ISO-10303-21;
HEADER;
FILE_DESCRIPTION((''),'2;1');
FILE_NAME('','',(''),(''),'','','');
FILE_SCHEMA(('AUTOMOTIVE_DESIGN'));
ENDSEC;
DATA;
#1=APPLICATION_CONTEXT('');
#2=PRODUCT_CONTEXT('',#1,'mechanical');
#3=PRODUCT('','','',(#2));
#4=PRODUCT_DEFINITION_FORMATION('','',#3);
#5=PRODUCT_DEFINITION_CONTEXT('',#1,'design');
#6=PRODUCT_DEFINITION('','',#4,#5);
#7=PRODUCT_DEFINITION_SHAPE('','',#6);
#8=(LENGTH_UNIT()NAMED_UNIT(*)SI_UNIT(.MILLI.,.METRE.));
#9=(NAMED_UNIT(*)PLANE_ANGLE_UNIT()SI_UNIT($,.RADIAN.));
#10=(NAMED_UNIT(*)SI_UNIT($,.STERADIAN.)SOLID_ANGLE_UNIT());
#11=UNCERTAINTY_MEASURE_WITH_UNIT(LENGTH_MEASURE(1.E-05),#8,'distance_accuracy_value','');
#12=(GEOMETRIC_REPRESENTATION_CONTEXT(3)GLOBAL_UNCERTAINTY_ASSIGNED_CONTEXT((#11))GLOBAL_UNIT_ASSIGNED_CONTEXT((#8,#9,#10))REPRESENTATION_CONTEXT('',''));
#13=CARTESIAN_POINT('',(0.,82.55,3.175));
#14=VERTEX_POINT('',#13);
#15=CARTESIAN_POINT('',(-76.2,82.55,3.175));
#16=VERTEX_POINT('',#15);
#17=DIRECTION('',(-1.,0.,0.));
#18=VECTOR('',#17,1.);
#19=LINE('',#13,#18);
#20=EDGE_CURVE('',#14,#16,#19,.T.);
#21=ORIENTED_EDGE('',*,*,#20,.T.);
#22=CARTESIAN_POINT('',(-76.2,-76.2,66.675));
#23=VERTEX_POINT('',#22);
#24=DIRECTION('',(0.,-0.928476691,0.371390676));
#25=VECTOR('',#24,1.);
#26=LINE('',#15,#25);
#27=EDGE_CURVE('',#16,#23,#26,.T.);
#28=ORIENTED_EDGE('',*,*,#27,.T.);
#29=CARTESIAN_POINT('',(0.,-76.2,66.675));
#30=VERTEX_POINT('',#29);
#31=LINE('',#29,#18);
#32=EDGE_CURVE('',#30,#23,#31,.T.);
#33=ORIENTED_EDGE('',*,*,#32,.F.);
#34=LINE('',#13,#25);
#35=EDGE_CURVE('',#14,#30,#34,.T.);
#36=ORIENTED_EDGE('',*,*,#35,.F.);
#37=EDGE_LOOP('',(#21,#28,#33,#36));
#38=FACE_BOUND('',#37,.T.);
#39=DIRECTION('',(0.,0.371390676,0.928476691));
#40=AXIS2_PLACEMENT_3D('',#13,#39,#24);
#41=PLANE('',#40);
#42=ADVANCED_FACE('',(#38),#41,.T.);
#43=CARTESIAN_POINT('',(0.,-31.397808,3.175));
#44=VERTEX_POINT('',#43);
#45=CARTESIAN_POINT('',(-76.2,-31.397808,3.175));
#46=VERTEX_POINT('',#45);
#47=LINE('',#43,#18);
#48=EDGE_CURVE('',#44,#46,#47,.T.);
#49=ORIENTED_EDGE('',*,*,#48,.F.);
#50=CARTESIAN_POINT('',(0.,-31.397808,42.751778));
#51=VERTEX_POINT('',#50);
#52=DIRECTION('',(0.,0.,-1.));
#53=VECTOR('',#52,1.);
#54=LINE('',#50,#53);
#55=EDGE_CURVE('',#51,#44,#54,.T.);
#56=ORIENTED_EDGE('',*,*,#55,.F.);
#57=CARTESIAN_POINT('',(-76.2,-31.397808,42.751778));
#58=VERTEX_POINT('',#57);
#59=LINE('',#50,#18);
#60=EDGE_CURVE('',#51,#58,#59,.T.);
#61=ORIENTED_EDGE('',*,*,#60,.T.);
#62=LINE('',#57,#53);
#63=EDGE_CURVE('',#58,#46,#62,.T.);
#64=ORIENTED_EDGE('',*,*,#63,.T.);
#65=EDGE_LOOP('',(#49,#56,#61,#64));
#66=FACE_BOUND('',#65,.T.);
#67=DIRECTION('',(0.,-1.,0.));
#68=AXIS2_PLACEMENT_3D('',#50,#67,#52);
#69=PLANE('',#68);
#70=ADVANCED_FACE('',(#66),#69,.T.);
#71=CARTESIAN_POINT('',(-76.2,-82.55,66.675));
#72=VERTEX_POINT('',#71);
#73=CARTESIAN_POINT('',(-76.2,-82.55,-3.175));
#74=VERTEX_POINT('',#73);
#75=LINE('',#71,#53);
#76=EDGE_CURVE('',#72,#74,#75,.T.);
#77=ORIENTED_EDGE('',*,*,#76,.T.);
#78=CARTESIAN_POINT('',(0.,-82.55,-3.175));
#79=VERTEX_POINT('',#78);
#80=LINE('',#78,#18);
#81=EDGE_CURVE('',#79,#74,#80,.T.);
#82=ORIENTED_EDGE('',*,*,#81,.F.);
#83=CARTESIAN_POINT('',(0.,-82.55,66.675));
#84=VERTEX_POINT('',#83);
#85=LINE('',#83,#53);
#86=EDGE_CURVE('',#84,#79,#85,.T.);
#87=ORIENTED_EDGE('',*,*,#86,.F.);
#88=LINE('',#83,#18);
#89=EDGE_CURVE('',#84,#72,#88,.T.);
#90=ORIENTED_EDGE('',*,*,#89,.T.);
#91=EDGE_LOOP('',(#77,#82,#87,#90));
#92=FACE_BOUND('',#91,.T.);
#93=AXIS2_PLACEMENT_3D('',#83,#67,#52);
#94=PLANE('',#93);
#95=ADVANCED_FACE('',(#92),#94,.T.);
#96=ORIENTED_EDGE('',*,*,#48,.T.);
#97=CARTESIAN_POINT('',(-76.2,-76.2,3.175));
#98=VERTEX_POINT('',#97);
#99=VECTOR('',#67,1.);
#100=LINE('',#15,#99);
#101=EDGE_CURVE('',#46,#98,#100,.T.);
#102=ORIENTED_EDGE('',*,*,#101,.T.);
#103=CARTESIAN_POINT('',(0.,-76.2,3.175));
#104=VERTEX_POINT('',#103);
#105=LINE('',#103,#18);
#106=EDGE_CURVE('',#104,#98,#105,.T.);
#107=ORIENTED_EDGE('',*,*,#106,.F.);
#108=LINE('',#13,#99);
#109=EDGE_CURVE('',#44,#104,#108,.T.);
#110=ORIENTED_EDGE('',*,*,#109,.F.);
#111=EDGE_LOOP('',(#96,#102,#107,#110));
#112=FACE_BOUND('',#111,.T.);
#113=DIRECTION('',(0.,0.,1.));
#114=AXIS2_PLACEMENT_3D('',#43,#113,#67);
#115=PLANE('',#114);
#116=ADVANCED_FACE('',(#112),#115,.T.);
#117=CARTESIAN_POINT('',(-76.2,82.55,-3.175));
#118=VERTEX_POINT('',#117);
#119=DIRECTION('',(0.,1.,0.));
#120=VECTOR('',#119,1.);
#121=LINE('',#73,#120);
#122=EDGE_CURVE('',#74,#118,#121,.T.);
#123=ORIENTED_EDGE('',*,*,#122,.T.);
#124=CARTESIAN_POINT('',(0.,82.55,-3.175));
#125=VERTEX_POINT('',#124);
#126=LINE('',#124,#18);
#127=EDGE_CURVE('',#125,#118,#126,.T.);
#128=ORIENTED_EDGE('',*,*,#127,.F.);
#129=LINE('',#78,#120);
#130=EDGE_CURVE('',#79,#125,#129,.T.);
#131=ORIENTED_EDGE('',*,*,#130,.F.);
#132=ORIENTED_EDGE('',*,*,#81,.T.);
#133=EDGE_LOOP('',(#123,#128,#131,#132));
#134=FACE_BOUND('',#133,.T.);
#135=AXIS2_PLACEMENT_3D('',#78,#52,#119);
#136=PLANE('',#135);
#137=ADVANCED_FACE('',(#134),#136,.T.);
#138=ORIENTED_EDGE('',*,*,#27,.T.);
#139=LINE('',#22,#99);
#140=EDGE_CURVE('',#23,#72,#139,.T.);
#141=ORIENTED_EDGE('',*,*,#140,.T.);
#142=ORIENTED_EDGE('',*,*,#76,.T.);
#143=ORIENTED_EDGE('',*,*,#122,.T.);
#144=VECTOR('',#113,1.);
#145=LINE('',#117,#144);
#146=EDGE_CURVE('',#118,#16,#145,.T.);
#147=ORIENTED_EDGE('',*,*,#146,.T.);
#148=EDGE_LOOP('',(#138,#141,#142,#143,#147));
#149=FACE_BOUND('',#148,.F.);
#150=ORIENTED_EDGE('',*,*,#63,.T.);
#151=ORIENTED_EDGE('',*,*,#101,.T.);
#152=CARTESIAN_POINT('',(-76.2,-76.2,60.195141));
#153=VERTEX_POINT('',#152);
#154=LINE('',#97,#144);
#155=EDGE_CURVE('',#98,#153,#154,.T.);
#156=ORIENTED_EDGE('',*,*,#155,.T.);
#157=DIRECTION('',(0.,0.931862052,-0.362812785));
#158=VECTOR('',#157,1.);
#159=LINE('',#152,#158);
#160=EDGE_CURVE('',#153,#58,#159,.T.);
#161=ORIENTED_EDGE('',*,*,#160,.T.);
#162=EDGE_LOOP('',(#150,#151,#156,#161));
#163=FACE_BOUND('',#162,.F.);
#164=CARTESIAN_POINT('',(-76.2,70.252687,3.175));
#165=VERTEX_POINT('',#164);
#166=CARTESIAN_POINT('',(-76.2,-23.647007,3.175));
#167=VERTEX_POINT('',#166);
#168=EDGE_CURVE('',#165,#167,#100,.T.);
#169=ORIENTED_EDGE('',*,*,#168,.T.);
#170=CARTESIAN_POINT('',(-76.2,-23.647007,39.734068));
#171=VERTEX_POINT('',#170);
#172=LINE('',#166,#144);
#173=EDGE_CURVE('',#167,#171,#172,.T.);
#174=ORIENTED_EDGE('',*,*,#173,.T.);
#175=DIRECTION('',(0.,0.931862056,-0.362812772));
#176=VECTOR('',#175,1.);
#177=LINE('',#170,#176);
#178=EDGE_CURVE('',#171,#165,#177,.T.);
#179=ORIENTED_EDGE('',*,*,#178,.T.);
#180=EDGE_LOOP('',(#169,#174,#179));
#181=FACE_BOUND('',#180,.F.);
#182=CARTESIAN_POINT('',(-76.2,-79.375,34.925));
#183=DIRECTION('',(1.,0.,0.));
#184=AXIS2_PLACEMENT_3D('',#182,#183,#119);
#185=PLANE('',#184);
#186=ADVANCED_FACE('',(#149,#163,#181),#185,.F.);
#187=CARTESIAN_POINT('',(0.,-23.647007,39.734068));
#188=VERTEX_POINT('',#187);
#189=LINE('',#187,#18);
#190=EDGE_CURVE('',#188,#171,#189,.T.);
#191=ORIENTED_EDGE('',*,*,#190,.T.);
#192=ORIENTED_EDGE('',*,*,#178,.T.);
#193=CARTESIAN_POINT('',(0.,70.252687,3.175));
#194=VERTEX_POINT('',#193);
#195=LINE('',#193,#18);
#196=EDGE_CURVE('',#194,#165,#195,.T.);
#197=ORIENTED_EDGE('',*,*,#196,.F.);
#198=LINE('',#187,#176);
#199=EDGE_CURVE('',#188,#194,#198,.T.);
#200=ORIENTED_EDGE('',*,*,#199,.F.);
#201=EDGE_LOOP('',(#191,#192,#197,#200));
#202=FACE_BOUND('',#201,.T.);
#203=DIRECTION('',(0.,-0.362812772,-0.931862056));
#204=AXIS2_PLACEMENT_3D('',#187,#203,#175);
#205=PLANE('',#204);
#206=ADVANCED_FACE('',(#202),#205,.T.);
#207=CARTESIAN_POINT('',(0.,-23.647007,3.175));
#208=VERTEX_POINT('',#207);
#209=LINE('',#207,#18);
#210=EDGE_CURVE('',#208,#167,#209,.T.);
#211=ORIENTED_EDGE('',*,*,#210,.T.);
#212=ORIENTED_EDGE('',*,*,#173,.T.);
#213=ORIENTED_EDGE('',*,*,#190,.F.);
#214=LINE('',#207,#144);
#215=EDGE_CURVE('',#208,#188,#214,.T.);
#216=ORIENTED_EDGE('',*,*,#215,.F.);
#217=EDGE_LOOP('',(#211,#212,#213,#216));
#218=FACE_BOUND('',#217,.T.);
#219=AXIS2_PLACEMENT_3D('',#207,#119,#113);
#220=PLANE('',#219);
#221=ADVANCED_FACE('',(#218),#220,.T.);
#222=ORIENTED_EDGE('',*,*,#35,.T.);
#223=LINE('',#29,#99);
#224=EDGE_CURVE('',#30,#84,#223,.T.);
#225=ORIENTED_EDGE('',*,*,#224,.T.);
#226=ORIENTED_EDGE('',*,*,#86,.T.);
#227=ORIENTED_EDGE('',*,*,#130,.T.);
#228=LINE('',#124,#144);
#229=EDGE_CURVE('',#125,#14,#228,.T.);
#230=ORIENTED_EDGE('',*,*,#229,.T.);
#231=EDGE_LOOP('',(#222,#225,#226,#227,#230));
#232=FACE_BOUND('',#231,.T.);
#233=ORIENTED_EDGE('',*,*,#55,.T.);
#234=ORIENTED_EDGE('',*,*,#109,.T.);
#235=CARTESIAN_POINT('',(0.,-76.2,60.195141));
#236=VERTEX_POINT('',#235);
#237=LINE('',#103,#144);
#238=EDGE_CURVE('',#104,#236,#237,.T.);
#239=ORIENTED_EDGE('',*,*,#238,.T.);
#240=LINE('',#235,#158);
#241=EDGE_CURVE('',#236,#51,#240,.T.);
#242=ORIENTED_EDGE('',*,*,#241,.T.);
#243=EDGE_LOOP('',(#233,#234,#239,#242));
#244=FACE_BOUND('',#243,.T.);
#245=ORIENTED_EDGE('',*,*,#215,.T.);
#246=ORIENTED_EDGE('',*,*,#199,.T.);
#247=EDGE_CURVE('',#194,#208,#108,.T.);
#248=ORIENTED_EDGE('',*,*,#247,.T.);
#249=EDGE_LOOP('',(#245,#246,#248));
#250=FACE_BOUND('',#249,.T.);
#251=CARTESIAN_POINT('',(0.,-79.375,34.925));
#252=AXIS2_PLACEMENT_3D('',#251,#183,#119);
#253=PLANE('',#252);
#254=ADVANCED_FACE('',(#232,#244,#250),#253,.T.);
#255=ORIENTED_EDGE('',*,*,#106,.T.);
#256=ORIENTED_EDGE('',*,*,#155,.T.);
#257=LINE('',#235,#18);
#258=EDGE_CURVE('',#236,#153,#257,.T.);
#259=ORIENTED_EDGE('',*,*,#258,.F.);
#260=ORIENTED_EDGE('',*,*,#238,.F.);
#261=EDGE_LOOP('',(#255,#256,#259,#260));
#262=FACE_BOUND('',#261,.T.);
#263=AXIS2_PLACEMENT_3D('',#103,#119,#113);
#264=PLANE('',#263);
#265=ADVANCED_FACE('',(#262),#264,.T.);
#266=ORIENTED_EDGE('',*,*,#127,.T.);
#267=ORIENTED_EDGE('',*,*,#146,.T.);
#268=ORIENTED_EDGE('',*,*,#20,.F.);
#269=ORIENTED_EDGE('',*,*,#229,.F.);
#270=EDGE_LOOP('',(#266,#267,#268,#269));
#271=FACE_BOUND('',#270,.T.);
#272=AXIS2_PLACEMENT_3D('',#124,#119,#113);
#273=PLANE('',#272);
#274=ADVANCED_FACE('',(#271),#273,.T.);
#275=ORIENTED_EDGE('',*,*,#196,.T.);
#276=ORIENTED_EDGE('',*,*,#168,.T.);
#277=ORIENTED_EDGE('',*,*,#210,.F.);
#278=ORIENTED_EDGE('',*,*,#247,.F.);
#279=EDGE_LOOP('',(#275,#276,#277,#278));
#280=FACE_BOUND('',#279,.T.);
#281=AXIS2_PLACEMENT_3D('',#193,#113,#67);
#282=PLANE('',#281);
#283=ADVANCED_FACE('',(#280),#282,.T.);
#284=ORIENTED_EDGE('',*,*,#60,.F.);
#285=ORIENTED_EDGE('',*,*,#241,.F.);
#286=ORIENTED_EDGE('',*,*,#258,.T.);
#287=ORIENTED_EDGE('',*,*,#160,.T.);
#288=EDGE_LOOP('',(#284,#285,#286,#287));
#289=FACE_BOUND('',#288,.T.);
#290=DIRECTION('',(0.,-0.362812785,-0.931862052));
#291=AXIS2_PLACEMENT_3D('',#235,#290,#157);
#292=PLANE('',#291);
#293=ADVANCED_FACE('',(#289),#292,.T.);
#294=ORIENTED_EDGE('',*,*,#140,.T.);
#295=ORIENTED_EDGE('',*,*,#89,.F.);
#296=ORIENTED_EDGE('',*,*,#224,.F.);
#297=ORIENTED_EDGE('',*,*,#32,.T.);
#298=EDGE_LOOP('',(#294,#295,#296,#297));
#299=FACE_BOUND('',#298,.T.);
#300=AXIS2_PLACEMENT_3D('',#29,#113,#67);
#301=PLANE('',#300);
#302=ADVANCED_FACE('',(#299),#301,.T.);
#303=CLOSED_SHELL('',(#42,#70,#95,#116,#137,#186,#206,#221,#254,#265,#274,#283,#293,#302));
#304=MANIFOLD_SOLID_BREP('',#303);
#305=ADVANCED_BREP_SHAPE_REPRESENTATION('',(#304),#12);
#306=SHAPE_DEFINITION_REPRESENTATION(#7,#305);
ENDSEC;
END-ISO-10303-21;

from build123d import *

# Parameters (mm, degrees)
F1_DEPTH = 76.2


with BuildPart() as f1:
    # F0 (on Right) → F1 (new body)
    with BuildSketch(Plane.YZ):
        Polygon((-82.55, 66.675), (-82.55, 3.175), (-76.2, 3.175), (-76.2, 60.195141), (-76.2, 66.675), align=None)
        Polygon((-76.2, 3.175), (-82.55, 3.175), (-82.55, -3.175), (82.55, -3.175), (82.55, 3.175), (70.252687, 3.175), (-23.647007, 3.175), (-31.397808, 3.175), align=None)
        Polygon((-76.2, 66.675), (-76.2, 60.195141), (-31.397808, 42.751778), (-23.647007, 39.734068), (70.252687, 3.175), (82.55, 3.175), align=None)
        Polygon((-31.397808, 42.751778), (-31.397808, 3.175), (-23.647007, 3.175), (-23.647007, 39.734068), align=None)
    extrude(amount=-F1_DEPTH)


solid = f1.part
